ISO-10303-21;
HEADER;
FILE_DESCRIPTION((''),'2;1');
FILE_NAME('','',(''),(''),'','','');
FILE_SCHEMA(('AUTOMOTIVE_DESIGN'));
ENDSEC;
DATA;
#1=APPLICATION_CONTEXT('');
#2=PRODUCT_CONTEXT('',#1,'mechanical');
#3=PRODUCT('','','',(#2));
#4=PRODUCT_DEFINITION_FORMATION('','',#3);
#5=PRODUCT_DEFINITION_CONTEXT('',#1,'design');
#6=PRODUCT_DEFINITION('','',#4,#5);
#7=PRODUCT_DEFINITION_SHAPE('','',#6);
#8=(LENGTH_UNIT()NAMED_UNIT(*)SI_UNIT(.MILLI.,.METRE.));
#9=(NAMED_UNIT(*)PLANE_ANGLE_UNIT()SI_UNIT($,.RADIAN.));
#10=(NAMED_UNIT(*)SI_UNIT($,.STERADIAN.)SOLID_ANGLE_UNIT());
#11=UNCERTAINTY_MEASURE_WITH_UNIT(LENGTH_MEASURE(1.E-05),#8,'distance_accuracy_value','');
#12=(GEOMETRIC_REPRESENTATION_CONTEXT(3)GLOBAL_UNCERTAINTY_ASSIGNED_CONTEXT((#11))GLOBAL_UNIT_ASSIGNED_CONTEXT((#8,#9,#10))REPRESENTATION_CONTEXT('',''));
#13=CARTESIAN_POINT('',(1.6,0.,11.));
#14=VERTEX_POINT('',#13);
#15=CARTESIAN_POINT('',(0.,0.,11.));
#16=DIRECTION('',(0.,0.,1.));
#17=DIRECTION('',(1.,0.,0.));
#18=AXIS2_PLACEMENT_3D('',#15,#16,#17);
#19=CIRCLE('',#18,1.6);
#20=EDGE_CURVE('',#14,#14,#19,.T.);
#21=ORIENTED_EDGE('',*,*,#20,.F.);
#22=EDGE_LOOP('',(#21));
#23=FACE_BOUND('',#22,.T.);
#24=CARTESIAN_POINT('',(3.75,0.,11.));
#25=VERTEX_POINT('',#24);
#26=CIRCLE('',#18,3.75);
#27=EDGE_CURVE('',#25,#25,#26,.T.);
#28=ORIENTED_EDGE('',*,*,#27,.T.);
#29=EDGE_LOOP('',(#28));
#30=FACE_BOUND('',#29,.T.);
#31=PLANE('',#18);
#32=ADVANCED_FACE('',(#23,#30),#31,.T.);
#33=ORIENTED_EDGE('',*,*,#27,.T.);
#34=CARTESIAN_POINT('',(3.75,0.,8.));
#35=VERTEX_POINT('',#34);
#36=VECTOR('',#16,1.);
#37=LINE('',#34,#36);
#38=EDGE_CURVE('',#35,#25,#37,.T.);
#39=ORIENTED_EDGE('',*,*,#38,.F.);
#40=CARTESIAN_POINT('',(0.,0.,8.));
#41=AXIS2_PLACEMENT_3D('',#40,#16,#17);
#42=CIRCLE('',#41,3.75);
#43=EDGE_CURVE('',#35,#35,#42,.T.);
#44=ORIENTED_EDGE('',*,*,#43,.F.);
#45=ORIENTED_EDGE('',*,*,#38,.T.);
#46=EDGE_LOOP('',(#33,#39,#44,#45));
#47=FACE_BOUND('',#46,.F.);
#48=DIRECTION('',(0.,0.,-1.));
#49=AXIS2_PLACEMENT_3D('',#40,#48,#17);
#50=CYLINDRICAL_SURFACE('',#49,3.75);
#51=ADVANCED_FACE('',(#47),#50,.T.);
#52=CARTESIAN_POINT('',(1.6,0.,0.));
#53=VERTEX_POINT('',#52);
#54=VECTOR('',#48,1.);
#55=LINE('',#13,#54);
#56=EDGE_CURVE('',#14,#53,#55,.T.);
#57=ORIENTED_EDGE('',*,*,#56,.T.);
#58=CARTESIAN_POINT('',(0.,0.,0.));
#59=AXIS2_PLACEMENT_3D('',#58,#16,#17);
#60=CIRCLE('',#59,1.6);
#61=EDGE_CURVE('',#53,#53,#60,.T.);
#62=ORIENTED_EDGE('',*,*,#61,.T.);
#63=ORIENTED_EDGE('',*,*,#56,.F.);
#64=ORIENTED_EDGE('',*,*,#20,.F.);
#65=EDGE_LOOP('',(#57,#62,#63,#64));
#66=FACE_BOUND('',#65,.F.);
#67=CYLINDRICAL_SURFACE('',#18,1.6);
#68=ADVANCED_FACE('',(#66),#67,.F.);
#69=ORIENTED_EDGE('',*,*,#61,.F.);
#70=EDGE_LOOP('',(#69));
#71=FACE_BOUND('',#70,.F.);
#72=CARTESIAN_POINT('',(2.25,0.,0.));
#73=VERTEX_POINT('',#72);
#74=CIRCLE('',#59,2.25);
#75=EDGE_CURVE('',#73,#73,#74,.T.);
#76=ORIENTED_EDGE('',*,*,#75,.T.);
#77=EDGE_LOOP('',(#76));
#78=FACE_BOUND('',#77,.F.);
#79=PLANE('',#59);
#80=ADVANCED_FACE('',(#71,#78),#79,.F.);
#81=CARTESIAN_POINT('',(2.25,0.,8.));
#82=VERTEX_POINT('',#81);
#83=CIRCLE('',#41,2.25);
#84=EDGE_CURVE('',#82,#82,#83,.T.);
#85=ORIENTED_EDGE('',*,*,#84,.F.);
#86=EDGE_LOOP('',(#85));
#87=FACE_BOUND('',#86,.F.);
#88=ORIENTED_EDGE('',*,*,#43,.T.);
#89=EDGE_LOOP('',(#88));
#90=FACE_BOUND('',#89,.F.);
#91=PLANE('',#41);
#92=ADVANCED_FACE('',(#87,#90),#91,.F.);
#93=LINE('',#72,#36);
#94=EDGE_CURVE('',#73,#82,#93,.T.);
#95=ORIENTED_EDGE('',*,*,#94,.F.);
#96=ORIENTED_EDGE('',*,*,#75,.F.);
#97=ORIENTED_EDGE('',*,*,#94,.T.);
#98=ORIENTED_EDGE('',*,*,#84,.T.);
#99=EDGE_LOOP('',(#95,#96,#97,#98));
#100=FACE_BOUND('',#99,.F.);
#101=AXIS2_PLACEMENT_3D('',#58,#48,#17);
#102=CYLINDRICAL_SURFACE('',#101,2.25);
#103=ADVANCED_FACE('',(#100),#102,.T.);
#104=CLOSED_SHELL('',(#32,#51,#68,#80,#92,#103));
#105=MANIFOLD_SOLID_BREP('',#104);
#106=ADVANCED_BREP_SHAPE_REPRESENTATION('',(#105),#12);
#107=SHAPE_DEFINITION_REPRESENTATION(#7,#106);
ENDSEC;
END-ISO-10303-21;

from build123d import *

# Parameters (mm, degrees)
SKETCH069_R     = 2.25
PAD026_DEPTH    = 8
SKETCH070_R     = 3.75
PAD027_DEPTH    = 3
SKETCH071_R     = 1.6
POCKET034_DEPTH = 11


with BuildPart() as part:
    # Sketch069 → Pad026 (new body)
    with BuildSketch(Plane.XY):
        Circle(SKETCH069_R)
    extrude(amount=PAD026_DEPTH)

    # Sketch070 (on Face3 of Pad026) → Pad027 (join)
    with BuildSketch(Plane.XY.offset(8)):
        Circle(SKETCH070_R)
    extrude(amount=PAD027_DEPTH)

    # Sketch071 (on Face3 of Pad027) → Pocket034 (cut)
    with BuildSketch(Plane.XY.offset(11)):
        Circle(SKETCH071_R)
    extrude(amount=-POCKET034_DEPTH, mode=Mode.SUBTRACT)


solid = part.part
